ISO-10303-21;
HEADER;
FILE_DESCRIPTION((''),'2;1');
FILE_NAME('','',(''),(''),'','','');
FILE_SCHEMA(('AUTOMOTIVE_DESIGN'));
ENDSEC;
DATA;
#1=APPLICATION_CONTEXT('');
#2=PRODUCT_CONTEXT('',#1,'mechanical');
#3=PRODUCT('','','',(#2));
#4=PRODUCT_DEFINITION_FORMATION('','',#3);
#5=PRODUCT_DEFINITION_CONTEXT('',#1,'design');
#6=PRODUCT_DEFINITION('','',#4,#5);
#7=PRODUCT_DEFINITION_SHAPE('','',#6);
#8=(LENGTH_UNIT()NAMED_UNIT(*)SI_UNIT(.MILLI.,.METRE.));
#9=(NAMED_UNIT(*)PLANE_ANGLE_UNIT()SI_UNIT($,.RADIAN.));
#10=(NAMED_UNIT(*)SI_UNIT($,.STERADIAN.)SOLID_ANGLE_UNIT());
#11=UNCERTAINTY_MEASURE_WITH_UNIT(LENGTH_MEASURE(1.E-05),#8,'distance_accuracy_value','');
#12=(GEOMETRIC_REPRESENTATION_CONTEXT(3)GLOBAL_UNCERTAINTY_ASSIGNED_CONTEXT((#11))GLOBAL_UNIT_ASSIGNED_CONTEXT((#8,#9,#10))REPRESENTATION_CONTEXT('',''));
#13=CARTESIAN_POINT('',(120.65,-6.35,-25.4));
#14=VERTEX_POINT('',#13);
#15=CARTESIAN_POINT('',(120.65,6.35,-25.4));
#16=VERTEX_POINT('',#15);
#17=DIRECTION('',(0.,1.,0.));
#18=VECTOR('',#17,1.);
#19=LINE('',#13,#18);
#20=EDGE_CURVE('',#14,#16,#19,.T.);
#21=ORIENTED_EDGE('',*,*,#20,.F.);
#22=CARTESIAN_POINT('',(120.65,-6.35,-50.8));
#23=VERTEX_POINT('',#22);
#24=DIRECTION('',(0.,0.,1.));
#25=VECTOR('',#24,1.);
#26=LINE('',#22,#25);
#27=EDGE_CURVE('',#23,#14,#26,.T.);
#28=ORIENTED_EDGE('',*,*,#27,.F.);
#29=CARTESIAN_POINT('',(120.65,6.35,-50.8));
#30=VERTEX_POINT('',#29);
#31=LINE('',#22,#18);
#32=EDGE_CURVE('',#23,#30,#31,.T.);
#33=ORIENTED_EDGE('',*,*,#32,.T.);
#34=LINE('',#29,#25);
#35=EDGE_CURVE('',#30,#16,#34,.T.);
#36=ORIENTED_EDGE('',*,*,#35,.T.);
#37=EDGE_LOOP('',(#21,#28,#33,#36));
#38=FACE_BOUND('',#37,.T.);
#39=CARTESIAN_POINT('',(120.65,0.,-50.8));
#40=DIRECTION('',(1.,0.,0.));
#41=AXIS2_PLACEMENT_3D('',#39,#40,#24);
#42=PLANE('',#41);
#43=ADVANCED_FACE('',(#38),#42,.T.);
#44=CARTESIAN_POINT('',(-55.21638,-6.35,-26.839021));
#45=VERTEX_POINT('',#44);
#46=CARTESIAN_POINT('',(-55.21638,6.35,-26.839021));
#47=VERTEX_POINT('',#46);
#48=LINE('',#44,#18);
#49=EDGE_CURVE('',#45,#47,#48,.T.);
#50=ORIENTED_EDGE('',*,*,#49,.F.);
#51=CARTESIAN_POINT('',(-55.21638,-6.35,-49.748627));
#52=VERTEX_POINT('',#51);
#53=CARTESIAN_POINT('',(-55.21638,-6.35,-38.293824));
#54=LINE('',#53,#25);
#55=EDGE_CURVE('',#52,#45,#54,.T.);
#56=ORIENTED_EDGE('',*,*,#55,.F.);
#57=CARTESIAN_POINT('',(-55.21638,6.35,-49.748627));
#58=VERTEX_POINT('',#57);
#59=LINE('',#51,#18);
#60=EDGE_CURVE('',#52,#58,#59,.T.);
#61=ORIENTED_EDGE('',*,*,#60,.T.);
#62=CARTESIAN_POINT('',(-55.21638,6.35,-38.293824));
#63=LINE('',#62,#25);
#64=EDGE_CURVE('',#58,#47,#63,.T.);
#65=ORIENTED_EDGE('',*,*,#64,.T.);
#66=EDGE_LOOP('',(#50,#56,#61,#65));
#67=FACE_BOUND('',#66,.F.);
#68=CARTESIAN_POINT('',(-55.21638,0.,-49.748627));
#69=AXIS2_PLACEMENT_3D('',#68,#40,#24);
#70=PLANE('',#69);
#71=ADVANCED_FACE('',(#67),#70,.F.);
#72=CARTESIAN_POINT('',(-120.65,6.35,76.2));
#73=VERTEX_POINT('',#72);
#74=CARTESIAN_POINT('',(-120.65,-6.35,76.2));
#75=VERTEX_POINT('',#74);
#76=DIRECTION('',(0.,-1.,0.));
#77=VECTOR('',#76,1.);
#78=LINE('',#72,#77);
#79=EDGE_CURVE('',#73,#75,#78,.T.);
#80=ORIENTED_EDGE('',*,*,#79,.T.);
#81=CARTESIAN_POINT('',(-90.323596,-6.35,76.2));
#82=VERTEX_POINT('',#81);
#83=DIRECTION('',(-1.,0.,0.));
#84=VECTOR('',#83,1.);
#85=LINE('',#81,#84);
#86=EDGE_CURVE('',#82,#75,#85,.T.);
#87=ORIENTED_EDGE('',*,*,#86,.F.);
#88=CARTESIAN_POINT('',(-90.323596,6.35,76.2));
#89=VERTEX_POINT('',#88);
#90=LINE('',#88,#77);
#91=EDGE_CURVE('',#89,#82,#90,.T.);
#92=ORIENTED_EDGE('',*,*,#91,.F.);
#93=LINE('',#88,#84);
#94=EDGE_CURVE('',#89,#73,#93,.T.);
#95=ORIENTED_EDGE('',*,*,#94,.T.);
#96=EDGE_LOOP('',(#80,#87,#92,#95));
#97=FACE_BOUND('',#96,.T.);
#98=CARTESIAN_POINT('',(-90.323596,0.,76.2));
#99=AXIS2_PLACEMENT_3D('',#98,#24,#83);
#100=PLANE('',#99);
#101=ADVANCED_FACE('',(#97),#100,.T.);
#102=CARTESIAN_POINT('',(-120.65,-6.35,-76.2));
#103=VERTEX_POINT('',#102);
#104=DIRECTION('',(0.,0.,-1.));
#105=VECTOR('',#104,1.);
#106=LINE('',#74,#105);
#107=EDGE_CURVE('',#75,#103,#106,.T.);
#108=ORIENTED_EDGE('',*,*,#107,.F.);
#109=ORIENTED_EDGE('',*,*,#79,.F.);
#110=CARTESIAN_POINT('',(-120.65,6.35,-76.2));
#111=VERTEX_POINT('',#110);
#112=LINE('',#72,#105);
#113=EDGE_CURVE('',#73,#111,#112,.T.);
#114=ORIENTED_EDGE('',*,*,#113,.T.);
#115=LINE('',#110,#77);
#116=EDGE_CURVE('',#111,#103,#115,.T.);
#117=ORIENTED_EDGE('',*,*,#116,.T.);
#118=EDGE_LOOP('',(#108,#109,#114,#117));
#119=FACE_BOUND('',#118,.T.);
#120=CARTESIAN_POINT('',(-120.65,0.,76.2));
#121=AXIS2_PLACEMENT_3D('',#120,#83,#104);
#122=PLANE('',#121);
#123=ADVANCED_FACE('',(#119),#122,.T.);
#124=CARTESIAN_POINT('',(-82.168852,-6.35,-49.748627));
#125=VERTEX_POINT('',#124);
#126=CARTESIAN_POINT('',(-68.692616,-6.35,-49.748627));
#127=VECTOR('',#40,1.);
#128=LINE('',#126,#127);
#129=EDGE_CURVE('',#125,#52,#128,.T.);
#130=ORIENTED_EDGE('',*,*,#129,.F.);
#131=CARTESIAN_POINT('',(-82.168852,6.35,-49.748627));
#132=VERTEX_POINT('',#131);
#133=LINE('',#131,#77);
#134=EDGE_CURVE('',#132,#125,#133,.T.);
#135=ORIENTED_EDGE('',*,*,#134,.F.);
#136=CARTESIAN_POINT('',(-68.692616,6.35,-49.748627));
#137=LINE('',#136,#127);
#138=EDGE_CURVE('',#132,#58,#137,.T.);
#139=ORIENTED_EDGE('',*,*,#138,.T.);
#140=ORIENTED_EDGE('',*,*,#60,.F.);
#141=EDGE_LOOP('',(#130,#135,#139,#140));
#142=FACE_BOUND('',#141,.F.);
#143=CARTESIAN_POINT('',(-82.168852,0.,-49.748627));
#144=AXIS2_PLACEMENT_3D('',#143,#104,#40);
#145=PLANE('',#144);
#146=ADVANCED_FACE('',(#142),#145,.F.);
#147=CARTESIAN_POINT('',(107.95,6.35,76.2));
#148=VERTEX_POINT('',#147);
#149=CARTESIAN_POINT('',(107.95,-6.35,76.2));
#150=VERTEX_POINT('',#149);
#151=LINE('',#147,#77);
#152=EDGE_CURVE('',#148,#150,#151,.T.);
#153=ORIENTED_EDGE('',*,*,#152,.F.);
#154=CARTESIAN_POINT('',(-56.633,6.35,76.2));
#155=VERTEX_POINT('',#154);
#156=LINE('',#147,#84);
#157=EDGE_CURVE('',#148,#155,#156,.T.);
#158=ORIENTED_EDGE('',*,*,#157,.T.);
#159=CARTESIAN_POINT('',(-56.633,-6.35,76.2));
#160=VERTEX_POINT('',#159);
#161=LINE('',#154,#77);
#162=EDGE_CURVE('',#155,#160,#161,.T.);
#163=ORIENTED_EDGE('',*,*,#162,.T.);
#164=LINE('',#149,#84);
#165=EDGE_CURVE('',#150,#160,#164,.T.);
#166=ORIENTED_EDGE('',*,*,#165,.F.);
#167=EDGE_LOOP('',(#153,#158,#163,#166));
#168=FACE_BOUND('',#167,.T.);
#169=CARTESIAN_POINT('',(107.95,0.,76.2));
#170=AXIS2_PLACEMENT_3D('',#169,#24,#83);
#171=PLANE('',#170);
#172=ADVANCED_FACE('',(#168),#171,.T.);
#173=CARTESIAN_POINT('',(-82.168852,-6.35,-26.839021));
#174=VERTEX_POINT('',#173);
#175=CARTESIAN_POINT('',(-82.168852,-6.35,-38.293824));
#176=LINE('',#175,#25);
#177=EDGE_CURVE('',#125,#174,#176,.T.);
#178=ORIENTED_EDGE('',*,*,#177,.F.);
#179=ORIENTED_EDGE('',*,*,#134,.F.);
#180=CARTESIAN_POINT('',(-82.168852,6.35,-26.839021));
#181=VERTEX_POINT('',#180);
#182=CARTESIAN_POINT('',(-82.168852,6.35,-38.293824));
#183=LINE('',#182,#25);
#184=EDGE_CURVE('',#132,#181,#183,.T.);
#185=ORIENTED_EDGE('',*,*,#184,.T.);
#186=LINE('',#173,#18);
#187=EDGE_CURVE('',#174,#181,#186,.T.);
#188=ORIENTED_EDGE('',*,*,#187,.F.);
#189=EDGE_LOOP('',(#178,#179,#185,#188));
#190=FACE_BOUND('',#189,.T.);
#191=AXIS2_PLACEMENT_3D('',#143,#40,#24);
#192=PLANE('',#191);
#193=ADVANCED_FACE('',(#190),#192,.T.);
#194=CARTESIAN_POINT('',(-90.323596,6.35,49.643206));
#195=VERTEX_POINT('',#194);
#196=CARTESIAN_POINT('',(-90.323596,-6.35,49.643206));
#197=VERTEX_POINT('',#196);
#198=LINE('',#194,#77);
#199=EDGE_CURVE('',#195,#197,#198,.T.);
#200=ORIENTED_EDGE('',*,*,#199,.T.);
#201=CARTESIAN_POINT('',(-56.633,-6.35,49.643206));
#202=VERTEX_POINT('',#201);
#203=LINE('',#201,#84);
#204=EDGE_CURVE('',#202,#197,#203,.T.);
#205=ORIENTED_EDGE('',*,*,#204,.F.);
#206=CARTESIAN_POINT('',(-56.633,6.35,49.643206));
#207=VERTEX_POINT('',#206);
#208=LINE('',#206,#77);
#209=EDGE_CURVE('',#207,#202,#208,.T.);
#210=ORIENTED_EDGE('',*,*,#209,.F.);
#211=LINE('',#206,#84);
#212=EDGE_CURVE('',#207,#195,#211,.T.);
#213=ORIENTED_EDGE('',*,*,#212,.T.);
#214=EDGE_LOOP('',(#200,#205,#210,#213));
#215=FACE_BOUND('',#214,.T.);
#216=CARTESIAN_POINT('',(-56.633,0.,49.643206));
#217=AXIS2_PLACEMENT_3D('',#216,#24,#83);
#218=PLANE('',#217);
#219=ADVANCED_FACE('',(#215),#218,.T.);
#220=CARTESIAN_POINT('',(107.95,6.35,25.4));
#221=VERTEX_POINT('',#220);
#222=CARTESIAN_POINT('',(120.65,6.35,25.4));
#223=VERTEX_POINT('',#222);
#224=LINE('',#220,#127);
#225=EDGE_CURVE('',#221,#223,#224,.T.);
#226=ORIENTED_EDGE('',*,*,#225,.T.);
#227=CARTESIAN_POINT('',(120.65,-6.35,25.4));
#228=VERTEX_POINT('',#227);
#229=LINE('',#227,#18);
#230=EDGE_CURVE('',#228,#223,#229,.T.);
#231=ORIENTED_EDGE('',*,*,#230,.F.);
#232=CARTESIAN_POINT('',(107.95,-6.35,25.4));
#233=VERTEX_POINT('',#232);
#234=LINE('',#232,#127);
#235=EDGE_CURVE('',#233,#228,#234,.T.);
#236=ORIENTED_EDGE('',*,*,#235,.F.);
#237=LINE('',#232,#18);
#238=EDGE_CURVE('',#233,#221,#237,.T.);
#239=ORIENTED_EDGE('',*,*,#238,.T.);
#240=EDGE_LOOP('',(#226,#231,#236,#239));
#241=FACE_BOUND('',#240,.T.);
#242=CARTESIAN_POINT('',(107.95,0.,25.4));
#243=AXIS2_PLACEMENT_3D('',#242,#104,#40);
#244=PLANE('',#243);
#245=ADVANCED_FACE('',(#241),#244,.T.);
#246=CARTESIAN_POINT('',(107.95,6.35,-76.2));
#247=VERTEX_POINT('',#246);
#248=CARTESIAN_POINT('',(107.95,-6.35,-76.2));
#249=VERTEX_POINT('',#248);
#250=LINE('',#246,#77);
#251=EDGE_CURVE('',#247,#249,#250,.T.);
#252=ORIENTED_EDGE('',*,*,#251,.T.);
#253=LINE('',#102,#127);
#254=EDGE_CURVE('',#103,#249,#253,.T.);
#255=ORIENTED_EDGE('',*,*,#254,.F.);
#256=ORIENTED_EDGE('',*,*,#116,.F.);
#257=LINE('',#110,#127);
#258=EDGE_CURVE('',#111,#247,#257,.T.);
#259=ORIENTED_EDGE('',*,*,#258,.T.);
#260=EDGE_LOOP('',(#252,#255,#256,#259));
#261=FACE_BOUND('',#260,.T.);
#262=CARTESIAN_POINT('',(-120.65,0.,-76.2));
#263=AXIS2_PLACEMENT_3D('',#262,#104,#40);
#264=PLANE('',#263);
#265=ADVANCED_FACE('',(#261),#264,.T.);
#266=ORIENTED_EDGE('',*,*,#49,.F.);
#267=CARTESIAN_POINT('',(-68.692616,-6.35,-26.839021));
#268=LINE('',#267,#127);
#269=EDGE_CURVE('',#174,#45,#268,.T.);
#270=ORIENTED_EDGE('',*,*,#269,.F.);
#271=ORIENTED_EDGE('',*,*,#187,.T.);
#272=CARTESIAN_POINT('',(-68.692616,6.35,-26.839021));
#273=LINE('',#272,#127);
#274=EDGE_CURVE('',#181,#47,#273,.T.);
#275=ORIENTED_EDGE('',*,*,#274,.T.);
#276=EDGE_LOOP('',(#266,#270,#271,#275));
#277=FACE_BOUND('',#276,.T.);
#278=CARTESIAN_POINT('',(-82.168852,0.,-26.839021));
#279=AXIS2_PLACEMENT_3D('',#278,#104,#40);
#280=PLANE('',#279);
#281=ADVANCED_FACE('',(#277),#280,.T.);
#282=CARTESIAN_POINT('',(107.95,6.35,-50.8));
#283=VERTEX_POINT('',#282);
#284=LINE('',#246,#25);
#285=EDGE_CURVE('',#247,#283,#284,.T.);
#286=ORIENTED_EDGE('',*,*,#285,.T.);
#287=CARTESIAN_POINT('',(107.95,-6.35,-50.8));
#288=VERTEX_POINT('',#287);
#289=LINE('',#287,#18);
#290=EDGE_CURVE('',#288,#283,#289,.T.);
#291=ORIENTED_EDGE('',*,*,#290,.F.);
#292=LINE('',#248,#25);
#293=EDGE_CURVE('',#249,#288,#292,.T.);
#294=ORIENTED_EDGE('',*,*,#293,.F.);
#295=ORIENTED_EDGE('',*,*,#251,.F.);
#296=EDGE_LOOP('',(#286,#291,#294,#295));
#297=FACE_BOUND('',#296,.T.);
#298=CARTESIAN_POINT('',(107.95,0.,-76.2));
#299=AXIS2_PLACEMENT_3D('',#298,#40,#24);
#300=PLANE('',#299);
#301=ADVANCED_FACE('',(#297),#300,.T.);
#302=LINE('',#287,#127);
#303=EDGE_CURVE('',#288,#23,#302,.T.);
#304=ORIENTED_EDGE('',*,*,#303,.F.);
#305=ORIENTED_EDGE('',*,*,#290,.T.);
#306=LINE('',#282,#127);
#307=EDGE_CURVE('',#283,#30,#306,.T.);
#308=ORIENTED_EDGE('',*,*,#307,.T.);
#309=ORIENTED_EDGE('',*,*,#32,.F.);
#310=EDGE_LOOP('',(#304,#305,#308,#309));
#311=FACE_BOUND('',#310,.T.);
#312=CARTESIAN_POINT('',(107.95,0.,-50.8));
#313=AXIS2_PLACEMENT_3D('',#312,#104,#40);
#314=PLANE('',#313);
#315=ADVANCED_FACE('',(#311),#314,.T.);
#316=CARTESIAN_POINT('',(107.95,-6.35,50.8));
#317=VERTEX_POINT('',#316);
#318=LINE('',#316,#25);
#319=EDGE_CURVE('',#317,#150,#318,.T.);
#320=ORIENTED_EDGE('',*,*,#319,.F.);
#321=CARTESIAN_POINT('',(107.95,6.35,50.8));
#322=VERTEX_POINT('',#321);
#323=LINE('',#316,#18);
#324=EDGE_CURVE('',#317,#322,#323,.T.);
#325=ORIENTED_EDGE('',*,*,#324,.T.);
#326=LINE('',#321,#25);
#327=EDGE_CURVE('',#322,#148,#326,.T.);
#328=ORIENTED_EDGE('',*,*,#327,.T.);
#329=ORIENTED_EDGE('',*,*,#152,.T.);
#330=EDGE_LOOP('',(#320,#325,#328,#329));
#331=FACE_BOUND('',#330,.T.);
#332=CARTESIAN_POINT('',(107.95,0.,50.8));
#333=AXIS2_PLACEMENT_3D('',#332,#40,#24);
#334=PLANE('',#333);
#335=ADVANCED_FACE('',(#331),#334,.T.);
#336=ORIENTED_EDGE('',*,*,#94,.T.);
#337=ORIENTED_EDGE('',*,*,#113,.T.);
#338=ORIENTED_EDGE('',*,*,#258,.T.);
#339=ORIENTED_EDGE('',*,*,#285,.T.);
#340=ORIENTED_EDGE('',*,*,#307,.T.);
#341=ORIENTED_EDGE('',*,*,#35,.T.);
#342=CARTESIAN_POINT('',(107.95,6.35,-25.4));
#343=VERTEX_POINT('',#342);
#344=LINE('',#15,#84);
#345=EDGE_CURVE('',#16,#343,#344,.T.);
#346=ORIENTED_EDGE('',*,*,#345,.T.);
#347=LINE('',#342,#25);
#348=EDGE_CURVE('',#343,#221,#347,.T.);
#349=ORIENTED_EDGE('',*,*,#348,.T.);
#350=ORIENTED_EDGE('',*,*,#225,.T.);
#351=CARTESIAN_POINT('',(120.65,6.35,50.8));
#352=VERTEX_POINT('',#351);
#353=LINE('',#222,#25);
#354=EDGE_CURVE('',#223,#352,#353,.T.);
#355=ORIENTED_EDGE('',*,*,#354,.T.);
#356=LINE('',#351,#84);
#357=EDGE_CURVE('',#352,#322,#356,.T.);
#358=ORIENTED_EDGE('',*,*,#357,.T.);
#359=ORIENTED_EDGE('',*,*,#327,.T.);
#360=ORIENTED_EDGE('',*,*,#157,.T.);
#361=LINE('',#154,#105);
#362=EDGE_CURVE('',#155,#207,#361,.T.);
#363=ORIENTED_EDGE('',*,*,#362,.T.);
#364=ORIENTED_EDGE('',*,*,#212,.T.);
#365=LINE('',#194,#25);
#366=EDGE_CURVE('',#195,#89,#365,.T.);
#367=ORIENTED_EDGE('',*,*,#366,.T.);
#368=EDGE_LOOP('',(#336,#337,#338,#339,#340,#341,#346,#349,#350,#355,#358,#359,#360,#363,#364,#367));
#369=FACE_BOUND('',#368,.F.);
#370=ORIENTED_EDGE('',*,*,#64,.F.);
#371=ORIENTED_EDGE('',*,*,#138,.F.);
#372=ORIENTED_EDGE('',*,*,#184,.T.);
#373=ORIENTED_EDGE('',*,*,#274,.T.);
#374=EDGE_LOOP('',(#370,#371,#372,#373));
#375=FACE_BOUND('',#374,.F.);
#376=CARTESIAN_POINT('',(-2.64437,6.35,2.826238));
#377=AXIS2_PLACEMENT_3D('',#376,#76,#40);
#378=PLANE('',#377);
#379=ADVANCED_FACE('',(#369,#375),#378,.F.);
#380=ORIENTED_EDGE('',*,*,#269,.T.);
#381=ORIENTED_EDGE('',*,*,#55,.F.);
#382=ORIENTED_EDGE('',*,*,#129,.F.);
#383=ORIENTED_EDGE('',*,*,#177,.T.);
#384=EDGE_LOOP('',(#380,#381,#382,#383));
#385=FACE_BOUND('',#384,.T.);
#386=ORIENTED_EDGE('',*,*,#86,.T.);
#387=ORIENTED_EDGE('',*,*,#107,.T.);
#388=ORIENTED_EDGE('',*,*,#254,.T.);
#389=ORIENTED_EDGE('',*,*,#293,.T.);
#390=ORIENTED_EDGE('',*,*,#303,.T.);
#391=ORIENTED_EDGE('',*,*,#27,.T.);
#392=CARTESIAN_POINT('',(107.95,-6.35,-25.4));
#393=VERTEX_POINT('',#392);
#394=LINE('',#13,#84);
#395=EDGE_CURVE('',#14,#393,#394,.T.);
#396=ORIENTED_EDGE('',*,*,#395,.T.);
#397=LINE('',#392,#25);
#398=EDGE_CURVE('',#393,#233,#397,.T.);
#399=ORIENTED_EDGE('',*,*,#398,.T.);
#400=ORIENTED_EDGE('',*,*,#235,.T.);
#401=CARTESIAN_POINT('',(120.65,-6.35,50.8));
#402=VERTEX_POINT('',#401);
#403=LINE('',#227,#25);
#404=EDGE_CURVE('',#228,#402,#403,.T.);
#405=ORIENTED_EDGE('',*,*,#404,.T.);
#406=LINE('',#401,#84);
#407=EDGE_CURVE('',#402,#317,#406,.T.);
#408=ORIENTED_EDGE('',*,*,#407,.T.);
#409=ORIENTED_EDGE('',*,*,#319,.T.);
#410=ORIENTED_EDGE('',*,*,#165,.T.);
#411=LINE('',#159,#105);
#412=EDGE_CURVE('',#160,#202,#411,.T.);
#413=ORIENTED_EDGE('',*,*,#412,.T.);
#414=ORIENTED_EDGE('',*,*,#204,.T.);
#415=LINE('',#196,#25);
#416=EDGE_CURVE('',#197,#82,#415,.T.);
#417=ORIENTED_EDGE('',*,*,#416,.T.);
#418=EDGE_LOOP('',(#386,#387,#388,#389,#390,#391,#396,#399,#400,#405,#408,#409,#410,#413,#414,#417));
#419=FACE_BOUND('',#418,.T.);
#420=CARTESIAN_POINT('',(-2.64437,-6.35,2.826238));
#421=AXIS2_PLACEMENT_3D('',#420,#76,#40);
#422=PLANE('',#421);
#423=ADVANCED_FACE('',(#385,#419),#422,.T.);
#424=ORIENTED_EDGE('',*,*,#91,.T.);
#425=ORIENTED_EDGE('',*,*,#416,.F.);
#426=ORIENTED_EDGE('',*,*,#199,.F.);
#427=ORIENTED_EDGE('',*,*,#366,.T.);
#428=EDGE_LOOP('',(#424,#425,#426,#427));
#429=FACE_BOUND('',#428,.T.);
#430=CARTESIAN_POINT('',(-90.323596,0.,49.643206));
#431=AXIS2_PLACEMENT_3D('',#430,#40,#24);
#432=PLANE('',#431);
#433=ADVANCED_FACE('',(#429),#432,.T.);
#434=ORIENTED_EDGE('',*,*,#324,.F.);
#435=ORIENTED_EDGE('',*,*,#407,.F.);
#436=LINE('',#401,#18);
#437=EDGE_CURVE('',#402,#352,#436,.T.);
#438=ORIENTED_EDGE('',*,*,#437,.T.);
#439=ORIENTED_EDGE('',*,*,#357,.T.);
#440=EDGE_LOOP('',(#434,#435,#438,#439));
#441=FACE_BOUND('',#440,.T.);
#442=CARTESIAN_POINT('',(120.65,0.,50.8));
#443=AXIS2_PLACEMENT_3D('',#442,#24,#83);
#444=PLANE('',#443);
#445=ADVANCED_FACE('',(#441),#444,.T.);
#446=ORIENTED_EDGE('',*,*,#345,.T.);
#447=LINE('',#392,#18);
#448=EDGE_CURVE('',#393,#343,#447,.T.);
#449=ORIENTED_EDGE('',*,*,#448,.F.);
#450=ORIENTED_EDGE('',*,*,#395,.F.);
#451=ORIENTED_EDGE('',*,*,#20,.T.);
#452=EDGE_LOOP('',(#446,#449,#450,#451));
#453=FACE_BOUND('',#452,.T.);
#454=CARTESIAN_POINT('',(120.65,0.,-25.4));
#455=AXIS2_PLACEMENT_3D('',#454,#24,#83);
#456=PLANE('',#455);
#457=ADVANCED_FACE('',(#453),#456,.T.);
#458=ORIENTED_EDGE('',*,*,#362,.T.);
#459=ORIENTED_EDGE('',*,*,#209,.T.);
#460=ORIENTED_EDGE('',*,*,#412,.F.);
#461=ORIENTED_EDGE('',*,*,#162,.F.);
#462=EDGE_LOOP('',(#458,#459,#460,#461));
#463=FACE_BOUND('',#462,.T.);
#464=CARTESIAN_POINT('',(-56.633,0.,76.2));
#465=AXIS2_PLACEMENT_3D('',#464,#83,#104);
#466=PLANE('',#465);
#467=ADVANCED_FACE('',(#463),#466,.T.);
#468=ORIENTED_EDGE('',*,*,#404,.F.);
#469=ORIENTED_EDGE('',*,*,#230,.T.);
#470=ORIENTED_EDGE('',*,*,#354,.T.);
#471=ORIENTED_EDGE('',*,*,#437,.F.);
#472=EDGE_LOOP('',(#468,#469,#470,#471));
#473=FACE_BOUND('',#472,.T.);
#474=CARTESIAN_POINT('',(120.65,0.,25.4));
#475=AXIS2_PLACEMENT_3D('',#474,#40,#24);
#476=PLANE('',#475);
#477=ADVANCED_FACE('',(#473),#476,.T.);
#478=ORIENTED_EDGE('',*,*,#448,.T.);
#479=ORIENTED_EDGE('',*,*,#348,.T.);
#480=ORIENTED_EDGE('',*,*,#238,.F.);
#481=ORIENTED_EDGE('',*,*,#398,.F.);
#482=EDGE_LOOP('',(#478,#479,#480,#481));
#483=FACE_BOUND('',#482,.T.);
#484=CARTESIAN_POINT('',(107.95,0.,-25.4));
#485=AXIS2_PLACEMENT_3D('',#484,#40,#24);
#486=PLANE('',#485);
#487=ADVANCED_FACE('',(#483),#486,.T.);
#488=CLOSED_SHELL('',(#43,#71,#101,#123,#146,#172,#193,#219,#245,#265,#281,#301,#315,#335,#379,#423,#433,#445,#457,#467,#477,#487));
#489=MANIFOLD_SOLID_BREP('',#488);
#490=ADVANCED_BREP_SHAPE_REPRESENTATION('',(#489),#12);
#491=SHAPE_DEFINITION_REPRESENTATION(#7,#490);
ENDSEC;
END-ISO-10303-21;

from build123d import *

# Parameters (mm, degrees)
F0_W     = 26.952473
F0_H     = 22.909606
F1_DEPTH = 6.35


with BuildPart() as f1:
    # F0 (on Front) → F1 (new body, symmetric)
    with BuildSketch(Plane.XZ):
        Polygon((107.95, 50.8), (107.95, 76.2), (-56.633, 76.2), (-56.633, 49.643206), (-90.323596, 49.643206), (-90.323596, 76.2), (-120.65, 76.2), (-120.65, -76.2), (107.95, -76.2), (107.95, -50.8), (120.65, -50.8), (120.65, -25.4), (107.95, -25.4), (107.95, 25.4), (120.65, 25.4), (120.65, 50.8), align=None)
        with Locations((-68.692616, -38.293824)):
            Rectangle(F0_W, F0_H, mode=Mode.SUBTRACT)
    extrude(amount=F1_DEPTH, both=True)


solid = f1.part
